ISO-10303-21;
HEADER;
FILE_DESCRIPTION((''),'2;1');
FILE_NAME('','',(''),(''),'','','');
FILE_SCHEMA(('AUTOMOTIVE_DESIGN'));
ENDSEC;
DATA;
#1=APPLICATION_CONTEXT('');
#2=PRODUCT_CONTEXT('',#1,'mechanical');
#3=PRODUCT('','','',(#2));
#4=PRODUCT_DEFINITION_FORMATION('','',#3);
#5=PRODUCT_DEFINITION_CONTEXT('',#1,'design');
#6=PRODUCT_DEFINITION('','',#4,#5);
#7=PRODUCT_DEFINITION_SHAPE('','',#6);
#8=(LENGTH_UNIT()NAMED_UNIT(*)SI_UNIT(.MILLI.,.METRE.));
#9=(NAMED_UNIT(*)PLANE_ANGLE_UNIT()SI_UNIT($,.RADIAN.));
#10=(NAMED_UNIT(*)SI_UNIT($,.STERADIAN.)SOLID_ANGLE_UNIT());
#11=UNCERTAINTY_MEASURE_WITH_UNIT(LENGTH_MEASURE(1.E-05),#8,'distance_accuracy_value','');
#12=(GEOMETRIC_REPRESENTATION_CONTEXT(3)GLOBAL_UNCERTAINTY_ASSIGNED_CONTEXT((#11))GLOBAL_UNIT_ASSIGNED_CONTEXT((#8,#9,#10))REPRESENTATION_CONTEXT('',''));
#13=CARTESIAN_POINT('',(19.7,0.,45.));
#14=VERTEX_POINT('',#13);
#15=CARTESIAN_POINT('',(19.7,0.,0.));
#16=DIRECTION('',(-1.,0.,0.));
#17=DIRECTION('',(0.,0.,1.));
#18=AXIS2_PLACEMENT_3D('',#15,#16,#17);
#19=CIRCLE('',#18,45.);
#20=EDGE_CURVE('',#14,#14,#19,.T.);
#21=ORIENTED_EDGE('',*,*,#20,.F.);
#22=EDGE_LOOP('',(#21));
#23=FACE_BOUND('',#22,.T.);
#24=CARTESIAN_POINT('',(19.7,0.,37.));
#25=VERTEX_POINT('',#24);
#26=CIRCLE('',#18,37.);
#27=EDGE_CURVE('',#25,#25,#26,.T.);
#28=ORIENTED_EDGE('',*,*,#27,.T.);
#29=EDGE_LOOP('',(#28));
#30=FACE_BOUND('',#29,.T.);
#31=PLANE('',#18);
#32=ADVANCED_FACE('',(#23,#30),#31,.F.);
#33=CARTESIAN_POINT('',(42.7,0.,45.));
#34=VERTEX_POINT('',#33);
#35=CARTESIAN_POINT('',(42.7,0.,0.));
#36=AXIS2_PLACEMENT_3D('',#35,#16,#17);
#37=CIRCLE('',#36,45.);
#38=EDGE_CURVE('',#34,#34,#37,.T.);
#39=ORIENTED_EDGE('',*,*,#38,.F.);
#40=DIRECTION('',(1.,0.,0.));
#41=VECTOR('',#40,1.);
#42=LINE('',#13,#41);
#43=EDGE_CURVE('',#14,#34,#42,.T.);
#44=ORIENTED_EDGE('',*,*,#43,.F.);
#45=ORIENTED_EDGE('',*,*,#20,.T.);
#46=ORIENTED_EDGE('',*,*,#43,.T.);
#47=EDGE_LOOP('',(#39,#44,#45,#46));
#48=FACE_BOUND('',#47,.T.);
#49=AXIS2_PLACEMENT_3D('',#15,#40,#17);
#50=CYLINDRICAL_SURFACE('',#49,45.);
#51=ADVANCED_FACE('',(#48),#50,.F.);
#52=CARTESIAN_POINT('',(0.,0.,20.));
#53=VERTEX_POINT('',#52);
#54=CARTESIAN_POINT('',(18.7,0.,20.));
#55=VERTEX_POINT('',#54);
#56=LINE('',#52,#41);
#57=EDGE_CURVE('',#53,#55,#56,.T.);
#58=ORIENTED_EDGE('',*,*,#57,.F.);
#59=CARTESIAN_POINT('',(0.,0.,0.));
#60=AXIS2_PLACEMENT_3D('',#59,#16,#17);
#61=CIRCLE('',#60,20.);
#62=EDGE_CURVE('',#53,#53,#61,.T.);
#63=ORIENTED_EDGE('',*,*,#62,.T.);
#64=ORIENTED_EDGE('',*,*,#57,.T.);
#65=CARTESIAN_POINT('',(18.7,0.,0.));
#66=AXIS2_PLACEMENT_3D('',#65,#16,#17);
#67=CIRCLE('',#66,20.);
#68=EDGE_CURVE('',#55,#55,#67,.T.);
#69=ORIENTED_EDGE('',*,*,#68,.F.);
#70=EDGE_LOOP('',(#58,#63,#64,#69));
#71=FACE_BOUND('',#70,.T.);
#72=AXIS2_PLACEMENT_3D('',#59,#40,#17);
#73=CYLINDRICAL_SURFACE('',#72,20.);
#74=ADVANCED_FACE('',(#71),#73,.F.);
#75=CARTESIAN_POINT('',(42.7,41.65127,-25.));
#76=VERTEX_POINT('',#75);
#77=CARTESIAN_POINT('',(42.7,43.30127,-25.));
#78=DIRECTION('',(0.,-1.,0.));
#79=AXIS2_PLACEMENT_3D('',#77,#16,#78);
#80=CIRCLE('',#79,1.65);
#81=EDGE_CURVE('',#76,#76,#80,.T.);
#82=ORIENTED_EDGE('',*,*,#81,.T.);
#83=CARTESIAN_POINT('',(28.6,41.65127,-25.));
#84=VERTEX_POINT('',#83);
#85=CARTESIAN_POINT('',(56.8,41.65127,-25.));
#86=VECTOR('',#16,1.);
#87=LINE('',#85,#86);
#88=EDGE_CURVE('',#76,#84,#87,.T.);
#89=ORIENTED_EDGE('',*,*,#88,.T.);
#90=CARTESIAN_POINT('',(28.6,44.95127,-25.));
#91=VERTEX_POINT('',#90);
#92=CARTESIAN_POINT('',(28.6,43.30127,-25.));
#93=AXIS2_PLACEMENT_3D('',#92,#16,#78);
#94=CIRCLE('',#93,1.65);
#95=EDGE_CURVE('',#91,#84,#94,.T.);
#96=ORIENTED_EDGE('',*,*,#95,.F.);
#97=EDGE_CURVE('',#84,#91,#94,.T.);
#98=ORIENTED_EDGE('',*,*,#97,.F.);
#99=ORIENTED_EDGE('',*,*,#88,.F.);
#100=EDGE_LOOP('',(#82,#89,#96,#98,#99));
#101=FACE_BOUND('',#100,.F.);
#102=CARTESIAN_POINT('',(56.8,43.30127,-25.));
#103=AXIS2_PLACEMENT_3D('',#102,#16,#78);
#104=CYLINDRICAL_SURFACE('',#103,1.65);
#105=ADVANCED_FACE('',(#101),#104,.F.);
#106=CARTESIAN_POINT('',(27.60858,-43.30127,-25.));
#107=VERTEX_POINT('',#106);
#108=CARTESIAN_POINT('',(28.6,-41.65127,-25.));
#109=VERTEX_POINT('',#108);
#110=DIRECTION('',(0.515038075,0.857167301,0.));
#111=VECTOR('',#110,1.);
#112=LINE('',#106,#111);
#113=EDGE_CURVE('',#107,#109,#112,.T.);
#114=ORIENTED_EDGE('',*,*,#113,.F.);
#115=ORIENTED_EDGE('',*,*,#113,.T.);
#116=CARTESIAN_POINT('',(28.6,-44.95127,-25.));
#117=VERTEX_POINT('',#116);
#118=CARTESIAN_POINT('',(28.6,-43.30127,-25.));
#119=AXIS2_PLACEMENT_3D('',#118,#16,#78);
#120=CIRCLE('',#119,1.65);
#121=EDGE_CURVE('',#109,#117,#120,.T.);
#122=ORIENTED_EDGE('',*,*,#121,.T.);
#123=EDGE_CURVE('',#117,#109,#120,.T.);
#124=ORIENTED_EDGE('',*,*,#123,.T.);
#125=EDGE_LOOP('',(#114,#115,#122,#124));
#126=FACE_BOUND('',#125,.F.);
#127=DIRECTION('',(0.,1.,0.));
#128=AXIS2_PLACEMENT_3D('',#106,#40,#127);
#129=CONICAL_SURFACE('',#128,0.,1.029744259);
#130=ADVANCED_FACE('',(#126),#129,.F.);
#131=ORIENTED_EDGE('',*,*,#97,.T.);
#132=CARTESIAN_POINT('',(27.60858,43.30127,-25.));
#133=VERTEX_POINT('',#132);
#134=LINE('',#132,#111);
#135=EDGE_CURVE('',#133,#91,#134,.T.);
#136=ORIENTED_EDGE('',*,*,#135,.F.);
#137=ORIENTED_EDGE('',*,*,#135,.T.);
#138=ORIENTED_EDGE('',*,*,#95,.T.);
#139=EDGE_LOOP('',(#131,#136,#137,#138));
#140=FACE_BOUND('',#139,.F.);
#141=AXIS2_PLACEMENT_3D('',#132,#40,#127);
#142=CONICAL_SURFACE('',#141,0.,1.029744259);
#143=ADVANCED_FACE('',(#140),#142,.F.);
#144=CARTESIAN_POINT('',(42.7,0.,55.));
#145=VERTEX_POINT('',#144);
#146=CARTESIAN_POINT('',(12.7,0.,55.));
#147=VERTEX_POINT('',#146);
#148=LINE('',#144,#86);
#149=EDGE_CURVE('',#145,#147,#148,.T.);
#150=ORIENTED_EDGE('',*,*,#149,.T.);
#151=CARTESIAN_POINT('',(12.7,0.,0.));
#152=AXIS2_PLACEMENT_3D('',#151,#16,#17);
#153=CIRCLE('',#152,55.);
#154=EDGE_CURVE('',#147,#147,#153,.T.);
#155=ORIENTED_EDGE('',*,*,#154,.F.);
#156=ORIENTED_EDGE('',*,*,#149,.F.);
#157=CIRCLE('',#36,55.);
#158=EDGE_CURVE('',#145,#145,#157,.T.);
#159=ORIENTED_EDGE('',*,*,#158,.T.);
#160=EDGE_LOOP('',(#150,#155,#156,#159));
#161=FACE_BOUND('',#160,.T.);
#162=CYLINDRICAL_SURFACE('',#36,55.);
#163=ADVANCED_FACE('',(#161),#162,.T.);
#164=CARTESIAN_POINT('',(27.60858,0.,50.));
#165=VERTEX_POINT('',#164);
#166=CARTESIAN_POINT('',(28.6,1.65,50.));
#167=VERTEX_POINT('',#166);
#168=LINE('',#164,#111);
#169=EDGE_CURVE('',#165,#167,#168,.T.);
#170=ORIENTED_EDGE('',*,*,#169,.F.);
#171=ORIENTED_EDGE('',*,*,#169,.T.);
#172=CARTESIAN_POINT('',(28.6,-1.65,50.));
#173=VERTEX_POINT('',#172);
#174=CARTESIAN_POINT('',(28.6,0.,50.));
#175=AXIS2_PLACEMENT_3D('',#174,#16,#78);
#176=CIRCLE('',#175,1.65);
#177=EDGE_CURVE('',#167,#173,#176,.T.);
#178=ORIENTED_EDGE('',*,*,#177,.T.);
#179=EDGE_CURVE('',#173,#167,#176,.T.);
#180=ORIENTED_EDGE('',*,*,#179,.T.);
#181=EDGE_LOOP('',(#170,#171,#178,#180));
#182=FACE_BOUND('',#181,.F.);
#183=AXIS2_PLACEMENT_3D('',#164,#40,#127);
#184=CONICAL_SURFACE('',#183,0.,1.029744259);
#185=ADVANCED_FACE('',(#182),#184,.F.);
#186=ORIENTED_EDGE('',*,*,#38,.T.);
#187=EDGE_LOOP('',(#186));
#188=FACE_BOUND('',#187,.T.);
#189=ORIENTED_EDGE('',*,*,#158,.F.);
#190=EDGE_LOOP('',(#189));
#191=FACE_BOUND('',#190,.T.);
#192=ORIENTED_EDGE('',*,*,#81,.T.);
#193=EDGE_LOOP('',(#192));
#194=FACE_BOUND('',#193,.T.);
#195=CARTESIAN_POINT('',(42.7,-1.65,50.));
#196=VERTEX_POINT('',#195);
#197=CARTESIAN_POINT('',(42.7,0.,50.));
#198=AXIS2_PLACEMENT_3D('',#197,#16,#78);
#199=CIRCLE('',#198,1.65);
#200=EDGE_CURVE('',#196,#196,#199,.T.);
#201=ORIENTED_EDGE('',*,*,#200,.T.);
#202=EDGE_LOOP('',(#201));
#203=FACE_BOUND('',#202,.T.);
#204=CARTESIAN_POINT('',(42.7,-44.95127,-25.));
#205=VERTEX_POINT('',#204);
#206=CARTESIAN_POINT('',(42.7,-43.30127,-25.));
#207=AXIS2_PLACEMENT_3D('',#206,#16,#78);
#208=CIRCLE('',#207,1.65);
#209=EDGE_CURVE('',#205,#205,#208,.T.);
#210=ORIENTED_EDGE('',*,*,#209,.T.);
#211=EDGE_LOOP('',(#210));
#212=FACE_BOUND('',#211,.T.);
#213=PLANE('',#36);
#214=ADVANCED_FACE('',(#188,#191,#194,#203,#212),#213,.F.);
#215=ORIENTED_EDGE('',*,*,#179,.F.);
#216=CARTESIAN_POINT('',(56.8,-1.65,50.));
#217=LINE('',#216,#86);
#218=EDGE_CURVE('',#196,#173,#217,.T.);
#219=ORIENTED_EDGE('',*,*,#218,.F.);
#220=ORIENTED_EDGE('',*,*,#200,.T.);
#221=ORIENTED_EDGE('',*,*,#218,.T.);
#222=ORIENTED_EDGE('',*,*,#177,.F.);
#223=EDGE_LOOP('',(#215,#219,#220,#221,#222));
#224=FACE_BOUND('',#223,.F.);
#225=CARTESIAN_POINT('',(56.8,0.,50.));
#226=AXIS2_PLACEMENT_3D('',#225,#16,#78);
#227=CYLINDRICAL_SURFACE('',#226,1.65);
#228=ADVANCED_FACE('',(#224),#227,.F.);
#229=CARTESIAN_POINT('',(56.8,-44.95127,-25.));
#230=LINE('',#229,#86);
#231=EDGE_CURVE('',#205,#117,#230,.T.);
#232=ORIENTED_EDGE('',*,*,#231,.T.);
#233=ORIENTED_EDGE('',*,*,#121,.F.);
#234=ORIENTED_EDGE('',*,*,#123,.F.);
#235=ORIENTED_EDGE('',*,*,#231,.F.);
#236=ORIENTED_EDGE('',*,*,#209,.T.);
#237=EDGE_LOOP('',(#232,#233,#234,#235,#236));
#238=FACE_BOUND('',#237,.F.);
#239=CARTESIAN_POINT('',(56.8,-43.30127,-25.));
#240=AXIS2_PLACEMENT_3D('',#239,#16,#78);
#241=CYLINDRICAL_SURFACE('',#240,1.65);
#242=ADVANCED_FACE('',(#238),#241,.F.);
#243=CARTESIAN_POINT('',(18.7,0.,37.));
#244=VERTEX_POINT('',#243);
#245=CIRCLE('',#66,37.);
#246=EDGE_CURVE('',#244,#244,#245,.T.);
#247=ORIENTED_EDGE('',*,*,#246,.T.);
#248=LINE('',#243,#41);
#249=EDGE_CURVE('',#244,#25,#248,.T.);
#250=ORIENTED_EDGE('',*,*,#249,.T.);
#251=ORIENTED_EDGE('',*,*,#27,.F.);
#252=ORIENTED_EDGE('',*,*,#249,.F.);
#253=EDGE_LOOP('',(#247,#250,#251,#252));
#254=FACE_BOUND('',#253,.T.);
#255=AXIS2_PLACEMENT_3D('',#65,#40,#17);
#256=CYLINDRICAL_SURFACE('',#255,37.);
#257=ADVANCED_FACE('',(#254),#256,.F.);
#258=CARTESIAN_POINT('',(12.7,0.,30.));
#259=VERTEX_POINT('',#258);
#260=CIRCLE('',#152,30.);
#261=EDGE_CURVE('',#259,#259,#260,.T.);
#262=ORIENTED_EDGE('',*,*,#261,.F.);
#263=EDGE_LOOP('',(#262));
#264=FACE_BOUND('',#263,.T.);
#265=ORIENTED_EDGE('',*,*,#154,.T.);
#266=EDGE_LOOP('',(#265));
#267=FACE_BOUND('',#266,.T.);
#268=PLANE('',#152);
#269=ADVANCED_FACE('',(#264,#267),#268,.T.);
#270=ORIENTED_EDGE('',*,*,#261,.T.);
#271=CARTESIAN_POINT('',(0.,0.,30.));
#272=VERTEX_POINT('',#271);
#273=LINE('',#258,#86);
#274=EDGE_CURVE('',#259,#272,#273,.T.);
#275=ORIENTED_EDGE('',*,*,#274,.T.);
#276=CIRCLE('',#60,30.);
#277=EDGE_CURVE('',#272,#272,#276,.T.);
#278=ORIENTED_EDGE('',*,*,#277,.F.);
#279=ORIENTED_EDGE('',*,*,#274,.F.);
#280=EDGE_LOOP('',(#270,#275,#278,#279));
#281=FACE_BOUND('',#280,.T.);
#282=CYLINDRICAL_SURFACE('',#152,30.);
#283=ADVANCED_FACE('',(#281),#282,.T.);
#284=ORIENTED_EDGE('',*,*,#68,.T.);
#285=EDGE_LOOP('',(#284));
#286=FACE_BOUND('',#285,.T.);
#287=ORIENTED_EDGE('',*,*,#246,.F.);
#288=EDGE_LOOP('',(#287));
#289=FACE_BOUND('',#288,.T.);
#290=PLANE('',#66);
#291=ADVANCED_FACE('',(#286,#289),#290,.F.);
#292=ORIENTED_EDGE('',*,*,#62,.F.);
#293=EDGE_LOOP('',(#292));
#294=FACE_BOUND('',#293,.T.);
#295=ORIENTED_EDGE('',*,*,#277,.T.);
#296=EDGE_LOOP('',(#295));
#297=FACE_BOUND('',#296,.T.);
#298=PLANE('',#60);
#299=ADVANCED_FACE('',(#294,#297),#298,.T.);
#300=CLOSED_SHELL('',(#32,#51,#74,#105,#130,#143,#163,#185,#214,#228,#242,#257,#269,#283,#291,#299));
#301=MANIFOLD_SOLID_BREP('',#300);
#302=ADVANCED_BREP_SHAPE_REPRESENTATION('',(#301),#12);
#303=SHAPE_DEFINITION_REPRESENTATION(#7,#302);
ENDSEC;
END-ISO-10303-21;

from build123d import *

# Parameters (mm, degrees)
F3_D     = 3.3
F3_DEPTH = 14.1
F3_TIP   = 0.9914200214


with BuildPart() as f1:
    # F0 (on Front) → F1 (revolve)
    with BuildSketch(Plane.XZ):
        Polygon((12.7, 30), (0, 30), (0, 20), (18.7, 20), (18.7, 37), (19.7, 37), (19.7, 45), (42.7, 45), (42.7, 55), (12.7, 55), align=None)
    revolve(axis=Axis((9.35, 0, 0), (-1, 0, 0)))

    # F3
    with Locations(Plane.YZ.offset(42.7)):
        with Locations((43.3012701892, -25), (-43.3012701892, -25), (0, 50)):
            Hole(F3_D / 2, depth=F3_DEPTH)
            with Locations((0, 0, -(F3_DEPTH + F3_TIP / 2))):  # 118° drill point
                Cone(0, F3_D / 2, F3_TIP, mode=Mode.SUBTRACT)


solid = f1.part
